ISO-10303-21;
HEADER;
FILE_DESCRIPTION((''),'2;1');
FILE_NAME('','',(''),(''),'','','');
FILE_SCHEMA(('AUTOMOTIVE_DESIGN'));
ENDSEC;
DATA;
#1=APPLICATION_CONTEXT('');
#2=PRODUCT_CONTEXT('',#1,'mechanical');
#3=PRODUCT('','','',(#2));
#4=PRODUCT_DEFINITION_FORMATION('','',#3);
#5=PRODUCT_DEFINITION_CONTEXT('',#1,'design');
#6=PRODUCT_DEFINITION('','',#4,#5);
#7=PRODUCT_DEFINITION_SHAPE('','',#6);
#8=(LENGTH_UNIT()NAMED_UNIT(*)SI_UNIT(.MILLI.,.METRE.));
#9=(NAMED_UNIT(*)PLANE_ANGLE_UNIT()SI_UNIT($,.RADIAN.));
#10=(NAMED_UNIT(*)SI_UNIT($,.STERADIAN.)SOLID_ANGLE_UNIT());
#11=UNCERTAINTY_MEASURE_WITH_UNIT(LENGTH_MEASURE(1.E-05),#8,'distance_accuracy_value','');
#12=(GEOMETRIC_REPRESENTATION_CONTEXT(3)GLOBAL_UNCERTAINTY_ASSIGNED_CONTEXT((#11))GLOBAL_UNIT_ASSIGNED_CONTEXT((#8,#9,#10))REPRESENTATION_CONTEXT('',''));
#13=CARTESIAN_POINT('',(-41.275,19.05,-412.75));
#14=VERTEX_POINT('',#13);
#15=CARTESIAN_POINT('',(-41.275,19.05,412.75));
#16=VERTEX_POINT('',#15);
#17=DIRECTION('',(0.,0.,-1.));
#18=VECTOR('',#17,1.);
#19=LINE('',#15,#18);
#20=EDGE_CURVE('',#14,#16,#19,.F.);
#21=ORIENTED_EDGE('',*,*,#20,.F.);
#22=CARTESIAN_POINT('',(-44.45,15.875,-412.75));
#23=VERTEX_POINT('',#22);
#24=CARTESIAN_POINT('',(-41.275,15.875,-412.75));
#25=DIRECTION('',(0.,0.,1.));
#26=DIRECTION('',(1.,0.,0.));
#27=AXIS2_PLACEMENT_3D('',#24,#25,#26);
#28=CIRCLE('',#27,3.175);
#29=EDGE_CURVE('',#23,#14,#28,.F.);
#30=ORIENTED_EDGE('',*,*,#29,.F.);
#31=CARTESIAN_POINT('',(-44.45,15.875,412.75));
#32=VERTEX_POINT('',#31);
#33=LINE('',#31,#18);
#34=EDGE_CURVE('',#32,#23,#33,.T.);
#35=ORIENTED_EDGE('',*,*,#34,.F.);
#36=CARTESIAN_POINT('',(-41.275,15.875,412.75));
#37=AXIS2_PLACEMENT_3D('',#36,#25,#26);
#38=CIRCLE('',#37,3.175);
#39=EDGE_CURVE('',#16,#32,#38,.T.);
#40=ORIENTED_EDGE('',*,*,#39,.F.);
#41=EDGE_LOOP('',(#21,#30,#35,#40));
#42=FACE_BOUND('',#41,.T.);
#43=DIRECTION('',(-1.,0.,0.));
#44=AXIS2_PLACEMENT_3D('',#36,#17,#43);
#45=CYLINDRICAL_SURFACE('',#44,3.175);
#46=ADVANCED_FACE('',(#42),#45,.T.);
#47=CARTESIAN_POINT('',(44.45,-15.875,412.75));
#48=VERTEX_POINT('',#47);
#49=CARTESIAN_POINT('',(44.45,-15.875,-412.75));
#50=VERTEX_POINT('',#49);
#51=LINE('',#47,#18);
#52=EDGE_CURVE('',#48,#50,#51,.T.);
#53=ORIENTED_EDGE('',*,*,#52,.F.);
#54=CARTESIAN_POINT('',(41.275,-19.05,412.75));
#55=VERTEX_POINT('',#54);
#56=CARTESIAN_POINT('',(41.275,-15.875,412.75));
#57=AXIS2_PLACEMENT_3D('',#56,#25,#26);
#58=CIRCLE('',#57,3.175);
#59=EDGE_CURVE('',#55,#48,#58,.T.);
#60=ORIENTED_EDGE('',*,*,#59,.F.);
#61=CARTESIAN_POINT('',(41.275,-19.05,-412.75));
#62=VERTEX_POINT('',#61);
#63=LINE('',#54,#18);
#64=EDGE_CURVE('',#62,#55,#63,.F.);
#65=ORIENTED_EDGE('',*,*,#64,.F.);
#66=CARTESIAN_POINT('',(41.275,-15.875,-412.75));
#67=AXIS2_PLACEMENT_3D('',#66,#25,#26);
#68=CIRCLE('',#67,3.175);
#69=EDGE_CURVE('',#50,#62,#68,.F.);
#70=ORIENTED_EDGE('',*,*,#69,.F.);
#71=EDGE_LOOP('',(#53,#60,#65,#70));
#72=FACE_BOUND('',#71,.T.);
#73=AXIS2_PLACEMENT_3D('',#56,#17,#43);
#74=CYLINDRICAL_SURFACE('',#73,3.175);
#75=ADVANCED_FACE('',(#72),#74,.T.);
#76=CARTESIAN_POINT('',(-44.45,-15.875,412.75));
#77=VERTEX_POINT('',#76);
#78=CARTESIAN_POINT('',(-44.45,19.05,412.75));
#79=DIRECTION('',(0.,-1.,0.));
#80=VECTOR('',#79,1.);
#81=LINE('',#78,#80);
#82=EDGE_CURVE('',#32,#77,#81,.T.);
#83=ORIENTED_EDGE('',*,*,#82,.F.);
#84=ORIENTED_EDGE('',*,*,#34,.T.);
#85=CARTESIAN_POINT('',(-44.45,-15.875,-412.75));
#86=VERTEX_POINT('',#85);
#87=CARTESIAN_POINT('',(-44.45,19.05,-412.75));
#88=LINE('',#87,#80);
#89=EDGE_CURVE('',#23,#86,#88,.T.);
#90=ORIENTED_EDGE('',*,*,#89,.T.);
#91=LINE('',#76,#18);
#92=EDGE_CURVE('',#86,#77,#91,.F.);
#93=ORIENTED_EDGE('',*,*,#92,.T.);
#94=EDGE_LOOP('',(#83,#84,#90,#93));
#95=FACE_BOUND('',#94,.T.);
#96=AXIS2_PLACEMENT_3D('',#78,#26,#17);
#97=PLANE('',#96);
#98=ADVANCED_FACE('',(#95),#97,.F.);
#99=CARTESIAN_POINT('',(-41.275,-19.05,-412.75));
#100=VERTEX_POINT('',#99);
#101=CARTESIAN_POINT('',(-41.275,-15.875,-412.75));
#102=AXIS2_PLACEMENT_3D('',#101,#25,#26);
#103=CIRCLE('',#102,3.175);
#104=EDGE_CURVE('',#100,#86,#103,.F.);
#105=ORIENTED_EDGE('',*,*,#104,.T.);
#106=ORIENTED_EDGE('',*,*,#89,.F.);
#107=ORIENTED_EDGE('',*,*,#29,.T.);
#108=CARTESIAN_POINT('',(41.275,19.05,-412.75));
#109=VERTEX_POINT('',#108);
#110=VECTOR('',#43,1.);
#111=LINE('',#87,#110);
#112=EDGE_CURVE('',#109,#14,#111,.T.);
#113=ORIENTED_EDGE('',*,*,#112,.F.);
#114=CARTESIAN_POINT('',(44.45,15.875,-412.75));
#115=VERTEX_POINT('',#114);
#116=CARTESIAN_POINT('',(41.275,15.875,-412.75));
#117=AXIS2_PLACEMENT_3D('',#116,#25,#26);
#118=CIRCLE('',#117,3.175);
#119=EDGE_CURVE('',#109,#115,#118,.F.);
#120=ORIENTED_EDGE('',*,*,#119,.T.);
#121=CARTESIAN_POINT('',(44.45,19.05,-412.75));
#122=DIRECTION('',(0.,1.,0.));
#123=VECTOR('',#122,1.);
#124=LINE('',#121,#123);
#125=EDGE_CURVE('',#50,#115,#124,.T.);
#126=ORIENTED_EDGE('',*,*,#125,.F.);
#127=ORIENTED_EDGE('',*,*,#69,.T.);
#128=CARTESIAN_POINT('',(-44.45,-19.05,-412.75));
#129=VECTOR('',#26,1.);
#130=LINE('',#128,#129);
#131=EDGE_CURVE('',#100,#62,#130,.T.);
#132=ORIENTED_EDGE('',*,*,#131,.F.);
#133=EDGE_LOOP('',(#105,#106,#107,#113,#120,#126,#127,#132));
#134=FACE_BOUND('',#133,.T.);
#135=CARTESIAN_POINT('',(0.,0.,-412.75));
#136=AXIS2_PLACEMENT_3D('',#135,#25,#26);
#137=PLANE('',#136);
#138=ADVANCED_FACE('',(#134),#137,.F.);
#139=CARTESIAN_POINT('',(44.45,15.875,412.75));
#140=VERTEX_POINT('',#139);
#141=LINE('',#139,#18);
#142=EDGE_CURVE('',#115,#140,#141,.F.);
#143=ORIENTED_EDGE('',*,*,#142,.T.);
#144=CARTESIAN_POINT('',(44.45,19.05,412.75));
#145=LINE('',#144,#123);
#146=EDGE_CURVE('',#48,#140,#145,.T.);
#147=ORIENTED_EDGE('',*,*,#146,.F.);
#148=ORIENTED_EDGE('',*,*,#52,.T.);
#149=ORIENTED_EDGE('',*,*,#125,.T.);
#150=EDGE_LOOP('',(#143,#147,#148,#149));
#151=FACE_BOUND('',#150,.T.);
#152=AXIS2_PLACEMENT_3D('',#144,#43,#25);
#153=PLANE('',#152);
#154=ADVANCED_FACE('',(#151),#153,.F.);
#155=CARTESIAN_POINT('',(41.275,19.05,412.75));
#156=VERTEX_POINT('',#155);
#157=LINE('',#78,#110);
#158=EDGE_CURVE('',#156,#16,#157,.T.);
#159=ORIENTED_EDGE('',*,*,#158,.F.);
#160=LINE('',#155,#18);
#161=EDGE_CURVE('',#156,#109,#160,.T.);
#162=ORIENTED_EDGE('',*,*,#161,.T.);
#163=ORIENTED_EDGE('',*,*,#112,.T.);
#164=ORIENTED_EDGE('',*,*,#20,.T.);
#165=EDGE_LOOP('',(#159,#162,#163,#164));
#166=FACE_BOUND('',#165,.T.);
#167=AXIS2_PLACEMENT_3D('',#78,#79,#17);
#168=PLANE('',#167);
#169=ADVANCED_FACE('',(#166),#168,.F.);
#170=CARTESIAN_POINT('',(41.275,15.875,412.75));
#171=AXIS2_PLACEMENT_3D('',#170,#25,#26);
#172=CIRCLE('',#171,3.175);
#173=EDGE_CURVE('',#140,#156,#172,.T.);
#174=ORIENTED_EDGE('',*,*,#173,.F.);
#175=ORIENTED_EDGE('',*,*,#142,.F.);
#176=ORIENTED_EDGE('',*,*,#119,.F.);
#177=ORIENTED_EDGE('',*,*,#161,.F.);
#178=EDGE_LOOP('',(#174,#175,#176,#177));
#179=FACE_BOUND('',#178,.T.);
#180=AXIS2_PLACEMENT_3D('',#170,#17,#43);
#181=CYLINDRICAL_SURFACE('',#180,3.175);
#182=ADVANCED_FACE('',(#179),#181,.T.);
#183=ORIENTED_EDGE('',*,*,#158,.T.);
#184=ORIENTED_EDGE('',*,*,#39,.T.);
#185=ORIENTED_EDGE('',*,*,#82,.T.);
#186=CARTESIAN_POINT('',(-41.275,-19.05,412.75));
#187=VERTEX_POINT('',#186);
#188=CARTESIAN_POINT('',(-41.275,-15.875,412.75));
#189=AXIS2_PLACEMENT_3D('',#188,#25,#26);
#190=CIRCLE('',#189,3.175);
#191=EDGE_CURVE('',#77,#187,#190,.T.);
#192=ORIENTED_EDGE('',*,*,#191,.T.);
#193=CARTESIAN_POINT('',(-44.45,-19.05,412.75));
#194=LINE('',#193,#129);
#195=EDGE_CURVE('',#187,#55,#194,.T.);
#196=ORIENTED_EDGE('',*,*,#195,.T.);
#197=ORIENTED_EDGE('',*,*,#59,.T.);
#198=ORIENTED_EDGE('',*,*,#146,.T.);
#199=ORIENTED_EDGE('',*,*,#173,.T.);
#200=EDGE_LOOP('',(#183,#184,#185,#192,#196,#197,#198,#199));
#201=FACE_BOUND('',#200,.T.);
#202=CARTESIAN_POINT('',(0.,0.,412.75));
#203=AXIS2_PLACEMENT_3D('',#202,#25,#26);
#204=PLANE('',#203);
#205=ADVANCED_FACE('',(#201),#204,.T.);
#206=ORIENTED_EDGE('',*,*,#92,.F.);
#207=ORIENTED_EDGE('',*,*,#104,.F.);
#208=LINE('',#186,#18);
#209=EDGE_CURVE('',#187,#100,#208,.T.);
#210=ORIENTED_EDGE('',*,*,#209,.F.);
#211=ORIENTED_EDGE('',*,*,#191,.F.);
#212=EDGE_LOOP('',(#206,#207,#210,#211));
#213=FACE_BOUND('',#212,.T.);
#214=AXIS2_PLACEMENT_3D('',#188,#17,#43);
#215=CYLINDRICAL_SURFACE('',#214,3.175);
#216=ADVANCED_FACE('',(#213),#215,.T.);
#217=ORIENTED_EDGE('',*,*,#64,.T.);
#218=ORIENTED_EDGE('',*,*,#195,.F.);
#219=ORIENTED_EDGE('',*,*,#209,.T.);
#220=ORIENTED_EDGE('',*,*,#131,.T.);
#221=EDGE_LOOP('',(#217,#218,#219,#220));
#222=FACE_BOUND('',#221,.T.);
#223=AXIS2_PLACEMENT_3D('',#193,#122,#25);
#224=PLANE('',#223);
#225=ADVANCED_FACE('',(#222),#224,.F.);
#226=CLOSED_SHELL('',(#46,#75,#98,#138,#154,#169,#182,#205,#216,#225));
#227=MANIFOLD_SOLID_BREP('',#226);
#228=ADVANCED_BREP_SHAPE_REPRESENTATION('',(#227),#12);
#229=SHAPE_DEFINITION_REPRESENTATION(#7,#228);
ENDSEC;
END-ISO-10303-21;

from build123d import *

# Parameters (mm, degrees)
SKETCH1_W           = 88.9
SKETCH1_H           = 38.1
BOSS_EXTRUDE1_DEPTH = 412.75
FILLET1_R           = 3.175


with BuildPart() as part:
    # Sketch1 → Boss-Extrude1 (new, symmetric)
    with BuildSketch(Plane.XY):
        Rectangle(SKETCH1_W, SKETCH1_H)
    extrude(amount=BOSS_EXTRUDE1_DEPTH, both=True)

    # Fillet1
    fillet1_edges = [part.edges().sort_by_distance(p)[0] for p in [
        (44.45, -19.05, 0),
        (-44.45, -19.05, 0),
        (-44.45, 19.05, 0),
        (44.45, 19.05, 0),
    ]]
    fillet(fillet1_edges, radius=FILLET1_R)


solid = part.part
